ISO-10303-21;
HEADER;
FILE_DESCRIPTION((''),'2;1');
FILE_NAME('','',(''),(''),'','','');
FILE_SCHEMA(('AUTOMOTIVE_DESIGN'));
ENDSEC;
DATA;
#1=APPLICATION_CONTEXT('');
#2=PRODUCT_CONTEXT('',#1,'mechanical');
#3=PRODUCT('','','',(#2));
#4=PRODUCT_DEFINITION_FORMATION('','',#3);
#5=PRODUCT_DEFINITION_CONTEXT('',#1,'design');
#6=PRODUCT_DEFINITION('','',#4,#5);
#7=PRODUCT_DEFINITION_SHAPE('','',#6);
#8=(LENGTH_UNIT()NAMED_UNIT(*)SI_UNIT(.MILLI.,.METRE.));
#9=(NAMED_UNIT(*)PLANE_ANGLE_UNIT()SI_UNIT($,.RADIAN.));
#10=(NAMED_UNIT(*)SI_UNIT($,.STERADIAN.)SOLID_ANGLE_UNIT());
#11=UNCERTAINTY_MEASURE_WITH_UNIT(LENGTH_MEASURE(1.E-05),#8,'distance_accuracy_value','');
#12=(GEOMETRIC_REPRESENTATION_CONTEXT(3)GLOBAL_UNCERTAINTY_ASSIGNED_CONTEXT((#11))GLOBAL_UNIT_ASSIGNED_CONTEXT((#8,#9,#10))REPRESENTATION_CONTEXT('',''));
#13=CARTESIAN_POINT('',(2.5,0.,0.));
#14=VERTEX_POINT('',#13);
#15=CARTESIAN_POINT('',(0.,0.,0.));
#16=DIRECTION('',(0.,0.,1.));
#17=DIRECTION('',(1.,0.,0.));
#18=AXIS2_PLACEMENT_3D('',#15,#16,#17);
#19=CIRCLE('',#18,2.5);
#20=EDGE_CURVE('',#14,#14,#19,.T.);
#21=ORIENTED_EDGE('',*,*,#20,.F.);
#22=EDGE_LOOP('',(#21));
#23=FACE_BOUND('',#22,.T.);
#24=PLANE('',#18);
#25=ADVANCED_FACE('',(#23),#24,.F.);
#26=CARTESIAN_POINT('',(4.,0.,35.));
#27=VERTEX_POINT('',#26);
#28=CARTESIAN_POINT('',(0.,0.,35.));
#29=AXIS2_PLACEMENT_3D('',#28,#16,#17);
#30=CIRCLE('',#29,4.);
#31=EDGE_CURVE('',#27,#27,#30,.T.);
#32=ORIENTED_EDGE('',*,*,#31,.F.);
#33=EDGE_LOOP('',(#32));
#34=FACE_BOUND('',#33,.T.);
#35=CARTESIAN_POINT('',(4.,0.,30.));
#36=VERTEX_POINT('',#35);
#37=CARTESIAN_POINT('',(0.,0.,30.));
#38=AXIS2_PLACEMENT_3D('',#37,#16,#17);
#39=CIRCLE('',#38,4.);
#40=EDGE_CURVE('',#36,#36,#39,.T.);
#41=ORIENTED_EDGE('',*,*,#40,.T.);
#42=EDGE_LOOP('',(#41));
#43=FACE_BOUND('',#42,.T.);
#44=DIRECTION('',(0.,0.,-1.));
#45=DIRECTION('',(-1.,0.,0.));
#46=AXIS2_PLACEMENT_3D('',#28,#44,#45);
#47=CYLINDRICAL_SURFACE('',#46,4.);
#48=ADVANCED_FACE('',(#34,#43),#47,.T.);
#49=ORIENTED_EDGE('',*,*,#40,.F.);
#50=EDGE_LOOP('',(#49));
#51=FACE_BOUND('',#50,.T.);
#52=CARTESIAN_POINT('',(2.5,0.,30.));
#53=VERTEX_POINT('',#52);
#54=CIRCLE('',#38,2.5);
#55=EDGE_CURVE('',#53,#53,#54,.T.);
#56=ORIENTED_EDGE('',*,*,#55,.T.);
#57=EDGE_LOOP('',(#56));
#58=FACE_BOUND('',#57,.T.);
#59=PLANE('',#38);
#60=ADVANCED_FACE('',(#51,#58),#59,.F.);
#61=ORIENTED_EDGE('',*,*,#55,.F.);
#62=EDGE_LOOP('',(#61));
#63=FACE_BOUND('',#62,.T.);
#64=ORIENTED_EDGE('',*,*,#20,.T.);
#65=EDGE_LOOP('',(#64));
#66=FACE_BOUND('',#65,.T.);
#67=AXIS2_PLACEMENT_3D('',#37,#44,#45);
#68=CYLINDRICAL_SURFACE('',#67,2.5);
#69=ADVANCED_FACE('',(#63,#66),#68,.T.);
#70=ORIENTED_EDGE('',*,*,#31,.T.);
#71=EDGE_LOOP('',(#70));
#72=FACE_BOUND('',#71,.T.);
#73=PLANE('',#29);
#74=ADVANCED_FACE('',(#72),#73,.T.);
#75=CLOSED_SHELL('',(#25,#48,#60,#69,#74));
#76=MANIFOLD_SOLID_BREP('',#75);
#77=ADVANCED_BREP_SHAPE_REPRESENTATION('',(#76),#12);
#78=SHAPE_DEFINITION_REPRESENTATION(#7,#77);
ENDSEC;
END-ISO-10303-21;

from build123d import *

# Parameters (mm, degrees)
SKETCH1_R           = 2.5
BOSS_EXTRUDE1_DEPTH = 30
SKETCH2_R           = 4
BOSS_EXTRUDE2_DEPTH = 5


with BuildPart() as part:
    # Sketch1 → Boss-Extrude1 (new body)
    with BuildSketch(Plane.XY):
        Circle(SKETCH1_R)
    extrude(amount=BOSS_EXTRUDE1_DEPTH)

    # Sketch2 → Boss-Extrude2 (add)
    with BuildSketch(Plane.XY.offset(30)):
        Circle(SKETCH2_R)
    extrude(amount=BOSS_EXTRUDE2_DEPTH)


solid = part.part
